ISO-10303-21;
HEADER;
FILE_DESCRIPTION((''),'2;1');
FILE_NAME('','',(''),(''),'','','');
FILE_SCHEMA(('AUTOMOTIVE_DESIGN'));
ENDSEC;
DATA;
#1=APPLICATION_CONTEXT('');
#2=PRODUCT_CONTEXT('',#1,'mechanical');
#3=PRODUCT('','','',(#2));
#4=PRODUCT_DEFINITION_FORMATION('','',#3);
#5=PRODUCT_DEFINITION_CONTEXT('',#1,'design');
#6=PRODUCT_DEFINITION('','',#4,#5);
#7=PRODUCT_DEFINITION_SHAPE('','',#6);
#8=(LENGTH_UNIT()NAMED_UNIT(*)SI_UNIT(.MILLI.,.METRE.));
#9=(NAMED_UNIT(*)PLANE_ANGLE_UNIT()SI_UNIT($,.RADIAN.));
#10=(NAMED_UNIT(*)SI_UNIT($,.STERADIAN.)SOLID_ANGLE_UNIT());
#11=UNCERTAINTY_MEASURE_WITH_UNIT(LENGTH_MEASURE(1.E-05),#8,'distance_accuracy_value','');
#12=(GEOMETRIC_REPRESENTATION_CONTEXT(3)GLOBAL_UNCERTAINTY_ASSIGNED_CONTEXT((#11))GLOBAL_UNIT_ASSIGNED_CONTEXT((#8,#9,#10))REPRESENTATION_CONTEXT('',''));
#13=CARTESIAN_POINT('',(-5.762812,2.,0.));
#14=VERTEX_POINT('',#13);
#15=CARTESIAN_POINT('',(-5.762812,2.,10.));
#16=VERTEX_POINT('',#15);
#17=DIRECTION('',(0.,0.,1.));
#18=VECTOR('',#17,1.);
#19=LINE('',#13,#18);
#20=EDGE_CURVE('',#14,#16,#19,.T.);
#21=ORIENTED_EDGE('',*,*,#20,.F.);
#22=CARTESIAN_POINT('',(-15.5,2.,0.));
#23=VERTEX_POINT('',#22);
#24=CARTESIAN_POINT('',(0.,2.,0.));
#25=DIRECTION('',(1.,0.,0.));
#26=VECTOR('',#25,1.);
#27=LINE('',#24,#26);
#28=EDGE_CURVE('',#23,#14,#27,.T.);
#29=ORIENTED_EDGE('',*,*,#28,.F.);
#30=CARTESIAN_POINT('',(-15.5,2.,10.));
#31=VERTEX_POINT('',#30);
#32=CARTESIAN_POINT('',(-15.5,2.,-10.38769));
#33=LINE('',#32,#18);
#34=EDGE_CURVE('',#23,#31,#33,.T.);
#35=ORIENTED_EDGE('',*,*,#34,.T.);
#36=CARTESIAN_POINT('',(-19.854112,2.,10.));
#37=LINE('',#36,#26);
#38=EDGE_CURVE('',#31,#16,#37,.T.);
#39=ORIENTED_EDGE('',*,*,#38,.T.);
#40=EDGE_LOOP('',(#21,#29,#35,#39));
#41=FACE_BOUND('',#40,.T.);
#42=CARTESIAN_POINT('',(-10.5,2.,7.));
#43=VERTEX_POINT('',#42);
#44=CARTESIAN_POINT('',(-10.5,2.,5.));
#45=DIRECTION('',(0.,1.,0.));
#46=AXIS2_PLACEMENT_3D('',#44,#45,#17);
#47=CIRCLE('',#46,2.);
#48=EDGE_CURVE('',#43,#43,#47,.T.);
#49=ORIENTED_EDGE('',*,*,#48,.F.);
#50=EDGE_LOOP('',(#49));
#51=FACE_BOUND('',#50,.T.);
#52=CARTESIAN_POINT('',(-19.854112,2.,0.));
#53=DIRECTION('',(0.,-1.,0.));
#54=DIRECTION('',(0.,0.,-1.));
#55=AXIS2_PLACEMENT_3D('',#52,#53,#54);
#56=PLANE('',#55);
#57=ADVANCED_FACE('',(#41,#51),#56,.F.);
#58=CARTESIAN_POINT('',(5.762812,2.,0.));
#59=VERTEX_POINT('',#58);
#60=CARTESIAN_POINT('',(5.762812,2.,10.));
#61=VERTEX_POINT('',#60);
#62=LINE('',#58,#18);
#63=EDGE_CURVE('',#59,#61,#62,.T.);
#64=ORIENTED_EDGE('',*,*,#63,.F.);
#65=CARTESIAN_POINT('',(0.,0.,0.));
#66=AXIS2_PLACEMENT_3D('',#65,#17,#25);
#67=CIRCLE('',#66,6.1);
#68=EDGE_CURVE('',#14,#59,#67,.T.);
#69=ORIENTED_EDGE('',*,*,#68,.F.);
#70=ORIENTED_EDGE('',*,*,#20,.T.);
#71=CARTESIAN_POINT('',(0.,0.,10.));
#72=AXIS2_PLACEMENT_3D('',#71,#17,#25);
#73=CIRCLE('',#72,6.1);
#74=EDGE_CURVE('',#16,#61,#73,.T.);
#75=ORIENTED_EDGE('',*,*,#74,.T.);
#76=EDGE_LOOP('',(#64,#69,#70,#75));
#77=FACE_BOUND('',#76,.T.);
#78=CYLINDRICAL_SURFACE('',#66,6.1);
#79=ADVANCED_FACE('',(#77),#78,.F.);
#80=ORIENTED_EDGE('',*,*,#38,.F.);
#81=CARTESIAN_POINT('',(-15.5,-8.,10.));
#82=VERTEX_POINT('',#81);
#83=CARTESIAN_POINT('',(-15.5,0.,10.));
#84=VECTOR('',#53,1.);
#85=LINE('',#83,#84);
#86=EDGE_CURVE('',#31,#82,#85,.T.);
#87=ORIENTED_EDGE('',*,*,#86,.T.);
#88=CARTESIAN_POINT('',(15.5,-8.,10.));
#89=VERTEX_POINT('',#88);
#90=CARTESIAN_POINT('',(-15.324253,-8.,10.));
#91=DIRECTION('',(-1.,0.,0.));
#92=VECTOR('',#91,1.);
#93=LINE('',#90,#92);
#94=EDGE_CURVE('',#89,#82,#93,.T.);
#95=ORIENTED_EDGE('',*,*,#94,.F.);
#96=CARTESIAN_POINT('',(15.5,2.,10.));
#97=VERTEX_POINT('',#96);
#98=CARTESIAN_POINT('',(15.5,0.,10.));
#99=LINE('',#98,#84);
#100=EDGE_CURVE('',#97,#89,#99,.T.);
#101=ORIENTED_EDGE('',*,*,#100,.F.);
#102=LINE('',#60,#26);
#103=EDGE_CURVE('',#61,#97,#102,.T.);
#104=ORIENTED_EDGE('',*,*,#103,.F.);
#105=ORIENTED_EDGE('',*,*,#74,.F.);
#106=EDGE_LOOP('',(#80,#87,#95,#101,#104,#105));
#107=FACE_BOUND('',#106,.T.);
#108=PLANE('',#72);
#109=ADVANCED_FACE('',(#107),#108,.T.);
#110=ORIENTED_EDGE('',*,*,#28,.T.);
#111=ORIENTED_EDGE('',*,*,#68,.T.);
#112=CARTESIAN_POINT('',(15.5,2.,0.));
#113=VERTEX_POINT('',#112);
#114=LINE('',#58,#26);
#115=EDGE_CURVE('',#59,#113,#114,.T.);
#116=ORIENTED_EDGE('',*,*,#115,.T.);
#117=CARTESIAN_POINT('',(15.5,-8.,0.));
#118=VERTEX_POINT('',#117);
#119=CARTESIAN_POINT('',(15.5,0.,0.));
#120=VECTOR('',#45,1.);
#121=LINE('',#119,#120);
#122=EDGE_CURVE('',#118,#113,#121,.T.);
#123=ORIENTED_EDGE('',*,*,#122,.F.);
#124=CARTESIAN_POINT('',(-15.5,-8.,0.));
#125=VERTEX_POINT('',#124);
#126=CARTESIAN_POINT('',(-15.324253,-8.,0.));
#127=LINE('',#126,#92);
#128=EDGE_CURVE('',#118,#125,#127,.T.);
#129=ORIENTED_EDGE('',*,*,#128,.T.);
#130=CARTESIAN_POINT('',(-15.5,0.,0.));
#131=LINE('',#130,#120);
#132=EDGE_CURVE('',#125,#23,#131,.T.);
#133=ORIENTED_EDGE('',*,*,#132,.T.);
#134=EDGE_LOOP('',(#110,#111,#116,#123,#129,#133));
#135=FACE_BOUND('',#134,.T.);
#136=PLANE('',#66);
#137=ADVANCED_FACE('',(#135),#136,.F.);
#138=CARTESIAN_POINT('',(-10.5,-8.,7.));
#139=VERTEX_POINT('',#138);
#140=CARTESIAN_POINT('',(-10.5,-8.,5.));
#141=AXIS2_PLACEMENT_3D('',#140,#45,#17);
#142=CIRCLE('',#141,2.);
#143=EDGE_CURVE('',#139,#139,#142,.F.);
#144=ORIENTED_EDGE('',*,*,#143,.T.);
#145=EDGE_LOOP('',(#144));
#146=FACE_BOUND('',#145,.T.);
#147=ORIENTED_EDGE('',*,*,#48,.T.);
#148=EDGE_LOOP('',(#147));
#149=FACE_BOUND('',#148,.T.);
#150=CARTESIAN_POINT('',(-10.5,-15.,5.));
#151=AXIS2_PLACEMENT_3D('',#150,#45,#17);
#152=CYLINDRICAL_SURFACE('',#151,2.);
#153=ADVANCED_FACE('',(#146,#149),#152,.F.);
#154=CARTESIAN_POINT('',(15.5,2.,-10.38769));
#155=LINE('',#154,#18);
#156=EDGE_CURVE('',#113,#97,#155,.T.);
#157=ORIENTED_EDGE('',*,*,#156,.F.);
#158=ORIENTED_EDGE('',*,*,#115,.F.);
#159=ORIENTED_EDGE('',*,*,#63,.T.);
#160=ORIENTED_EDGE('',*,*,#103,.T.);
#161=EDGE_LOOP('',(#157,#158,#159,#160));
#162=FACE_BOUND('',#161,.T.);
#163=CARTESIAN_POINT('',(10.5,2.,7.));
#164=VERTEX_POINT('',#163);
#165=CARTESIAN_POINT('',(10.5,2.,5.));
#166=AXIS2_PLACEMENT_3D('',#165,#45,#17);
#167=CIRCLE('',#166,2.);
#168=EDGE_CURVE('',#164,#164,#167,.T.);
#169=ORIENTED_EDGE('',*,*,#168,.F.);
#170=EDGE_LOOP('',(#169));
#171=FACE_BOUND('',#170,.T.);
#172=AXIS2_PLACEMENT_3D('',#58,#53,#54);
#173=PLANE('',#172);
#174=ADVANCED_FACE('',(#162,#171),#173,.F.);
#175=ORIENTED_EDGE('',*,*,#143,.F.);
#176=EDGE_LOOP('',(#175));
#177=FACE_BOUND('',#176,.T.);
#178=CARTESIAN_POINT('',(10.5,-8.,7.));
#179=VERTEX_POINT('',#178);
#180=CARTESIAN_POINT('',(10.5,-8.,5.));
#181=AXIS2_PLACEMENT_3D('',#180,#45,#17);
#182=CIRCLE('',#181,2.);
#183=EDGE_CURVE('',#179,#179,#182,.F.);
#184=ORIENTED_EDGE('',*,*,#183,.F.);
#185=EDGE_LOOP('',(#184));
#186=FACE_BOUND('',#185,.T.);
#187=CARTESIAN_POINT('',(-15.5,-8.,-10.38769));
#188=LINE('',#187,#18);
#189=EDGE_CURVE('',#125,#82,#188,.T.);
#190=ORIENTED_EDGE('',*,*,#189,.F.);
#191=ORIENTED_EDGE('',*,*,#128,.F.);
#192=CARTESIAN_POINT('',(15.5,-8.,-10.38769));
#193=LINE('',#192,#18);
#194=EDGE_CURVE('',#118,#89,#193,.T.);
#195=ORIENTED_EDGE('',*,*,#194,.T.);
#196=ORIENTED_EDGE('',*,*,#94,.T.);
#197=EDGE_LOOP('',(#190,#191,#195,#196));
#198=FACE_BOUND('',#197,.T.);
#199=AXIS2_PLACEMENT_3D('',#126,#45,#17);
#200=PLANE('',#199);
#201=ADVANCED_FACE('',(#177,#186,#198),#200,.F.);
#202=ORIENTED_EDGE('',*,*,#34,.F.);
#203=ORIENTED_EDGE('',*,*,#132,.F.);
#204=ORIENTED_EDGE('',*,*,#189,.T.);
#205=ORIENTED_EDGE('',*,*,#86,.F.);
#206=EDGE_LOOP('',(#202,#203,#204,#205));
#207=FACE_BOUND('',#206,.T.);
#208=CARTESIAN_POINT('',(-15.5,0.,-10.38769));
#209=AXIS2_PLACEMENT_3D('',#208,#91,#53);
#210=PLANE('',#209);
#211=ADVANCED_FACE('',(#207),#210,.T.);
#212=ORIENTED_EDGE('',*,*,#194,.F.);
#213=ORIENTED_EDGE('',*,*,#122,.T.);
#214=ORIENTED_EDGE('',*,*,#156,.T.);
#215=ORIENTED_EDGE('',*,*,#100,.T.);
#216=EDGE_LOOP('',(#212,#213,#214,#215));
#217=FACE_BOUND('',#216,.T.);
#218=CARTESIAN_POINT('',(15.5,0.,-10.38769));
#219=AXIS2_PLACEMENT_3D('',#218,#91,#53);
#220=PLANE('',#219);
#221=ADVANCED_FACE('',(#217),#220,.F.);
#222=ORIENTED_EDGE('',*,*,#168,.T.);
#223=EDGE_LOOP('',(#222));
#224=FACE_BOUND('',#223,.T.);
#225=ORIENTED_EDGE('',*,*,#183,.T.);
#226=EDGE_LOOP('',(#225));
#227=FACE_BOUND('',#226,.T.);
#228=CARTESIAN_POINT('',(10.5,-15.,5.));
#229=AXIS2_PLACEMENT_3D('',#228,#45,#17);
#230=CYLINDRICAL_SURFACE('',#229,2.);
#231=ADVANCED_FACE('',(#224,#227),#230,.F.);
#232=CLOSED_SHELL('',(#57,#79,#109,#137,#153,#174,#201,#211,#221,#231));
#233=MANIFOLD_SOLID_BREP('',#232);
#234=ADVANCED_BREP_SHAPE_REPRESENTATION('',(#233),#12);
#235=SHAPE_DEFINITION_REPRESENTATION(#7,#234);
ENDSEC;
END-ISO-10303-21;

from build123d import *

# Parameters (mm, degrees)
SKETCH_1_R          = 15
EXTRUDE_1_DEPTH     = 10
CUT_EXTRUDE_1_DEPTH = 10
SKETCH_5_R          = 2
CUT_EXTRUDE_2_DEPTH = 25.779023387
SKETCH_7_W          = 30.648506912
SKETCH_7_H          = 10.688803122
CUT_EXTRUDE_4_DEPTH = 24.45207897
EXTRUDE_START       = -10
EXTRUDE_2_DEPTH     = 10


with BuildPart() as part:
    # ｽｹｯﾁ1 → ﾎﾞｽ - 押し出し1 (new body)
    with BuildSketch(Plane.XY):
        Circle(SKETCH_1_R)
    extrude(amount=EXTRUDE_1_DEPTH)

    # ｽｹｯﾁ2 → ｶｯﾄ - 押し出し1 (cut)
    with BuildSketch(Plane.XY.offset(10)):
        with BuildLine():
            Line((5.762811814, 2), (20.145888179, 2))
            Line((20.145888179, 2), (20.145888179, 26.748934653))
            Line((20.145888179, 26.748934653), (-19.854111821, 26.748934653))
            Line((-19.854111821, 26.748934653), (-19.854111821, 2))
            Line((-19.854111821, 2), (-5.762811814, 2))
            ThreePointArc((-5.762811814, 2), (0, -6.1), (5.762811814, 2))
        make_face()
    extrude(amount=-CUT_EXTRUDE_1_DEPTH, mode=Mode.SUBTRACT)

    # ｽｹｯﾁ5 → ｶｯﾄ - 押し出し2 (cut, through all)
    with BuildSketch(Plane(origin=(0, 2, 0), x_dir=(1, 0, 0), z_dir=(0, 1, 0))):
        with Locations(Location((-10.5, -5, 0), (0, 0, 270))):
            Circle(SKETCH_5_R)
        with Locations(Location((10.5, -5, 0), (0, 0, 270))):
            Circle(SKETCH_5_R)
    extrude(amount=-CUT_EXTRUDE_2_DEPTH, mode=Mode.SUBTRACT)

    # ｽｹｯﾁ7 → ｶｯﾄ - 押し出し4 (cut, through all)
    with BuildSketch(Plane.XY.offset(10)):
        with Locations((0, -13.344401561)):
            Rectangle(SKETCH_7_W, SKETCH_7_H)
    extrude(amount=-CUT_EXTRUDE_4_DEPTH, mode=Mode.SUBTRACT)

    # ｽｹｯﾁ8 → ﾎﾞｽ - 押し出し2 (add)
    with BuildSketch(Plane.XY.offset(10).offset(EXTRUDE_START)):
        with BuildLine():
            Line((-14.866068747, 2), (-15.5, 2))
            Line((-15.5, 2), (-15.5, -8))
            Line((-15.5, -8), (-12.68857754, -8))
            ThreePointArc((-12.68857754, -8), (-14.656555974, -3.191452176), (-14.866068747, 2))
        make_face()
        with BuildLine():
            ThreePointArc((14.866068747, 2), (14.656555974, -3.191452176), (12.68857754, -8))
            Line((12.68857754, -8), (15.5, -8))
            Line((15.5, -8), (15.5, 2))
            Line((15.5, 2), (14.866068747, 2))
        make_face()
    extrude(amount=EXTRUDE_2_DEPTH)


solid = part.part
